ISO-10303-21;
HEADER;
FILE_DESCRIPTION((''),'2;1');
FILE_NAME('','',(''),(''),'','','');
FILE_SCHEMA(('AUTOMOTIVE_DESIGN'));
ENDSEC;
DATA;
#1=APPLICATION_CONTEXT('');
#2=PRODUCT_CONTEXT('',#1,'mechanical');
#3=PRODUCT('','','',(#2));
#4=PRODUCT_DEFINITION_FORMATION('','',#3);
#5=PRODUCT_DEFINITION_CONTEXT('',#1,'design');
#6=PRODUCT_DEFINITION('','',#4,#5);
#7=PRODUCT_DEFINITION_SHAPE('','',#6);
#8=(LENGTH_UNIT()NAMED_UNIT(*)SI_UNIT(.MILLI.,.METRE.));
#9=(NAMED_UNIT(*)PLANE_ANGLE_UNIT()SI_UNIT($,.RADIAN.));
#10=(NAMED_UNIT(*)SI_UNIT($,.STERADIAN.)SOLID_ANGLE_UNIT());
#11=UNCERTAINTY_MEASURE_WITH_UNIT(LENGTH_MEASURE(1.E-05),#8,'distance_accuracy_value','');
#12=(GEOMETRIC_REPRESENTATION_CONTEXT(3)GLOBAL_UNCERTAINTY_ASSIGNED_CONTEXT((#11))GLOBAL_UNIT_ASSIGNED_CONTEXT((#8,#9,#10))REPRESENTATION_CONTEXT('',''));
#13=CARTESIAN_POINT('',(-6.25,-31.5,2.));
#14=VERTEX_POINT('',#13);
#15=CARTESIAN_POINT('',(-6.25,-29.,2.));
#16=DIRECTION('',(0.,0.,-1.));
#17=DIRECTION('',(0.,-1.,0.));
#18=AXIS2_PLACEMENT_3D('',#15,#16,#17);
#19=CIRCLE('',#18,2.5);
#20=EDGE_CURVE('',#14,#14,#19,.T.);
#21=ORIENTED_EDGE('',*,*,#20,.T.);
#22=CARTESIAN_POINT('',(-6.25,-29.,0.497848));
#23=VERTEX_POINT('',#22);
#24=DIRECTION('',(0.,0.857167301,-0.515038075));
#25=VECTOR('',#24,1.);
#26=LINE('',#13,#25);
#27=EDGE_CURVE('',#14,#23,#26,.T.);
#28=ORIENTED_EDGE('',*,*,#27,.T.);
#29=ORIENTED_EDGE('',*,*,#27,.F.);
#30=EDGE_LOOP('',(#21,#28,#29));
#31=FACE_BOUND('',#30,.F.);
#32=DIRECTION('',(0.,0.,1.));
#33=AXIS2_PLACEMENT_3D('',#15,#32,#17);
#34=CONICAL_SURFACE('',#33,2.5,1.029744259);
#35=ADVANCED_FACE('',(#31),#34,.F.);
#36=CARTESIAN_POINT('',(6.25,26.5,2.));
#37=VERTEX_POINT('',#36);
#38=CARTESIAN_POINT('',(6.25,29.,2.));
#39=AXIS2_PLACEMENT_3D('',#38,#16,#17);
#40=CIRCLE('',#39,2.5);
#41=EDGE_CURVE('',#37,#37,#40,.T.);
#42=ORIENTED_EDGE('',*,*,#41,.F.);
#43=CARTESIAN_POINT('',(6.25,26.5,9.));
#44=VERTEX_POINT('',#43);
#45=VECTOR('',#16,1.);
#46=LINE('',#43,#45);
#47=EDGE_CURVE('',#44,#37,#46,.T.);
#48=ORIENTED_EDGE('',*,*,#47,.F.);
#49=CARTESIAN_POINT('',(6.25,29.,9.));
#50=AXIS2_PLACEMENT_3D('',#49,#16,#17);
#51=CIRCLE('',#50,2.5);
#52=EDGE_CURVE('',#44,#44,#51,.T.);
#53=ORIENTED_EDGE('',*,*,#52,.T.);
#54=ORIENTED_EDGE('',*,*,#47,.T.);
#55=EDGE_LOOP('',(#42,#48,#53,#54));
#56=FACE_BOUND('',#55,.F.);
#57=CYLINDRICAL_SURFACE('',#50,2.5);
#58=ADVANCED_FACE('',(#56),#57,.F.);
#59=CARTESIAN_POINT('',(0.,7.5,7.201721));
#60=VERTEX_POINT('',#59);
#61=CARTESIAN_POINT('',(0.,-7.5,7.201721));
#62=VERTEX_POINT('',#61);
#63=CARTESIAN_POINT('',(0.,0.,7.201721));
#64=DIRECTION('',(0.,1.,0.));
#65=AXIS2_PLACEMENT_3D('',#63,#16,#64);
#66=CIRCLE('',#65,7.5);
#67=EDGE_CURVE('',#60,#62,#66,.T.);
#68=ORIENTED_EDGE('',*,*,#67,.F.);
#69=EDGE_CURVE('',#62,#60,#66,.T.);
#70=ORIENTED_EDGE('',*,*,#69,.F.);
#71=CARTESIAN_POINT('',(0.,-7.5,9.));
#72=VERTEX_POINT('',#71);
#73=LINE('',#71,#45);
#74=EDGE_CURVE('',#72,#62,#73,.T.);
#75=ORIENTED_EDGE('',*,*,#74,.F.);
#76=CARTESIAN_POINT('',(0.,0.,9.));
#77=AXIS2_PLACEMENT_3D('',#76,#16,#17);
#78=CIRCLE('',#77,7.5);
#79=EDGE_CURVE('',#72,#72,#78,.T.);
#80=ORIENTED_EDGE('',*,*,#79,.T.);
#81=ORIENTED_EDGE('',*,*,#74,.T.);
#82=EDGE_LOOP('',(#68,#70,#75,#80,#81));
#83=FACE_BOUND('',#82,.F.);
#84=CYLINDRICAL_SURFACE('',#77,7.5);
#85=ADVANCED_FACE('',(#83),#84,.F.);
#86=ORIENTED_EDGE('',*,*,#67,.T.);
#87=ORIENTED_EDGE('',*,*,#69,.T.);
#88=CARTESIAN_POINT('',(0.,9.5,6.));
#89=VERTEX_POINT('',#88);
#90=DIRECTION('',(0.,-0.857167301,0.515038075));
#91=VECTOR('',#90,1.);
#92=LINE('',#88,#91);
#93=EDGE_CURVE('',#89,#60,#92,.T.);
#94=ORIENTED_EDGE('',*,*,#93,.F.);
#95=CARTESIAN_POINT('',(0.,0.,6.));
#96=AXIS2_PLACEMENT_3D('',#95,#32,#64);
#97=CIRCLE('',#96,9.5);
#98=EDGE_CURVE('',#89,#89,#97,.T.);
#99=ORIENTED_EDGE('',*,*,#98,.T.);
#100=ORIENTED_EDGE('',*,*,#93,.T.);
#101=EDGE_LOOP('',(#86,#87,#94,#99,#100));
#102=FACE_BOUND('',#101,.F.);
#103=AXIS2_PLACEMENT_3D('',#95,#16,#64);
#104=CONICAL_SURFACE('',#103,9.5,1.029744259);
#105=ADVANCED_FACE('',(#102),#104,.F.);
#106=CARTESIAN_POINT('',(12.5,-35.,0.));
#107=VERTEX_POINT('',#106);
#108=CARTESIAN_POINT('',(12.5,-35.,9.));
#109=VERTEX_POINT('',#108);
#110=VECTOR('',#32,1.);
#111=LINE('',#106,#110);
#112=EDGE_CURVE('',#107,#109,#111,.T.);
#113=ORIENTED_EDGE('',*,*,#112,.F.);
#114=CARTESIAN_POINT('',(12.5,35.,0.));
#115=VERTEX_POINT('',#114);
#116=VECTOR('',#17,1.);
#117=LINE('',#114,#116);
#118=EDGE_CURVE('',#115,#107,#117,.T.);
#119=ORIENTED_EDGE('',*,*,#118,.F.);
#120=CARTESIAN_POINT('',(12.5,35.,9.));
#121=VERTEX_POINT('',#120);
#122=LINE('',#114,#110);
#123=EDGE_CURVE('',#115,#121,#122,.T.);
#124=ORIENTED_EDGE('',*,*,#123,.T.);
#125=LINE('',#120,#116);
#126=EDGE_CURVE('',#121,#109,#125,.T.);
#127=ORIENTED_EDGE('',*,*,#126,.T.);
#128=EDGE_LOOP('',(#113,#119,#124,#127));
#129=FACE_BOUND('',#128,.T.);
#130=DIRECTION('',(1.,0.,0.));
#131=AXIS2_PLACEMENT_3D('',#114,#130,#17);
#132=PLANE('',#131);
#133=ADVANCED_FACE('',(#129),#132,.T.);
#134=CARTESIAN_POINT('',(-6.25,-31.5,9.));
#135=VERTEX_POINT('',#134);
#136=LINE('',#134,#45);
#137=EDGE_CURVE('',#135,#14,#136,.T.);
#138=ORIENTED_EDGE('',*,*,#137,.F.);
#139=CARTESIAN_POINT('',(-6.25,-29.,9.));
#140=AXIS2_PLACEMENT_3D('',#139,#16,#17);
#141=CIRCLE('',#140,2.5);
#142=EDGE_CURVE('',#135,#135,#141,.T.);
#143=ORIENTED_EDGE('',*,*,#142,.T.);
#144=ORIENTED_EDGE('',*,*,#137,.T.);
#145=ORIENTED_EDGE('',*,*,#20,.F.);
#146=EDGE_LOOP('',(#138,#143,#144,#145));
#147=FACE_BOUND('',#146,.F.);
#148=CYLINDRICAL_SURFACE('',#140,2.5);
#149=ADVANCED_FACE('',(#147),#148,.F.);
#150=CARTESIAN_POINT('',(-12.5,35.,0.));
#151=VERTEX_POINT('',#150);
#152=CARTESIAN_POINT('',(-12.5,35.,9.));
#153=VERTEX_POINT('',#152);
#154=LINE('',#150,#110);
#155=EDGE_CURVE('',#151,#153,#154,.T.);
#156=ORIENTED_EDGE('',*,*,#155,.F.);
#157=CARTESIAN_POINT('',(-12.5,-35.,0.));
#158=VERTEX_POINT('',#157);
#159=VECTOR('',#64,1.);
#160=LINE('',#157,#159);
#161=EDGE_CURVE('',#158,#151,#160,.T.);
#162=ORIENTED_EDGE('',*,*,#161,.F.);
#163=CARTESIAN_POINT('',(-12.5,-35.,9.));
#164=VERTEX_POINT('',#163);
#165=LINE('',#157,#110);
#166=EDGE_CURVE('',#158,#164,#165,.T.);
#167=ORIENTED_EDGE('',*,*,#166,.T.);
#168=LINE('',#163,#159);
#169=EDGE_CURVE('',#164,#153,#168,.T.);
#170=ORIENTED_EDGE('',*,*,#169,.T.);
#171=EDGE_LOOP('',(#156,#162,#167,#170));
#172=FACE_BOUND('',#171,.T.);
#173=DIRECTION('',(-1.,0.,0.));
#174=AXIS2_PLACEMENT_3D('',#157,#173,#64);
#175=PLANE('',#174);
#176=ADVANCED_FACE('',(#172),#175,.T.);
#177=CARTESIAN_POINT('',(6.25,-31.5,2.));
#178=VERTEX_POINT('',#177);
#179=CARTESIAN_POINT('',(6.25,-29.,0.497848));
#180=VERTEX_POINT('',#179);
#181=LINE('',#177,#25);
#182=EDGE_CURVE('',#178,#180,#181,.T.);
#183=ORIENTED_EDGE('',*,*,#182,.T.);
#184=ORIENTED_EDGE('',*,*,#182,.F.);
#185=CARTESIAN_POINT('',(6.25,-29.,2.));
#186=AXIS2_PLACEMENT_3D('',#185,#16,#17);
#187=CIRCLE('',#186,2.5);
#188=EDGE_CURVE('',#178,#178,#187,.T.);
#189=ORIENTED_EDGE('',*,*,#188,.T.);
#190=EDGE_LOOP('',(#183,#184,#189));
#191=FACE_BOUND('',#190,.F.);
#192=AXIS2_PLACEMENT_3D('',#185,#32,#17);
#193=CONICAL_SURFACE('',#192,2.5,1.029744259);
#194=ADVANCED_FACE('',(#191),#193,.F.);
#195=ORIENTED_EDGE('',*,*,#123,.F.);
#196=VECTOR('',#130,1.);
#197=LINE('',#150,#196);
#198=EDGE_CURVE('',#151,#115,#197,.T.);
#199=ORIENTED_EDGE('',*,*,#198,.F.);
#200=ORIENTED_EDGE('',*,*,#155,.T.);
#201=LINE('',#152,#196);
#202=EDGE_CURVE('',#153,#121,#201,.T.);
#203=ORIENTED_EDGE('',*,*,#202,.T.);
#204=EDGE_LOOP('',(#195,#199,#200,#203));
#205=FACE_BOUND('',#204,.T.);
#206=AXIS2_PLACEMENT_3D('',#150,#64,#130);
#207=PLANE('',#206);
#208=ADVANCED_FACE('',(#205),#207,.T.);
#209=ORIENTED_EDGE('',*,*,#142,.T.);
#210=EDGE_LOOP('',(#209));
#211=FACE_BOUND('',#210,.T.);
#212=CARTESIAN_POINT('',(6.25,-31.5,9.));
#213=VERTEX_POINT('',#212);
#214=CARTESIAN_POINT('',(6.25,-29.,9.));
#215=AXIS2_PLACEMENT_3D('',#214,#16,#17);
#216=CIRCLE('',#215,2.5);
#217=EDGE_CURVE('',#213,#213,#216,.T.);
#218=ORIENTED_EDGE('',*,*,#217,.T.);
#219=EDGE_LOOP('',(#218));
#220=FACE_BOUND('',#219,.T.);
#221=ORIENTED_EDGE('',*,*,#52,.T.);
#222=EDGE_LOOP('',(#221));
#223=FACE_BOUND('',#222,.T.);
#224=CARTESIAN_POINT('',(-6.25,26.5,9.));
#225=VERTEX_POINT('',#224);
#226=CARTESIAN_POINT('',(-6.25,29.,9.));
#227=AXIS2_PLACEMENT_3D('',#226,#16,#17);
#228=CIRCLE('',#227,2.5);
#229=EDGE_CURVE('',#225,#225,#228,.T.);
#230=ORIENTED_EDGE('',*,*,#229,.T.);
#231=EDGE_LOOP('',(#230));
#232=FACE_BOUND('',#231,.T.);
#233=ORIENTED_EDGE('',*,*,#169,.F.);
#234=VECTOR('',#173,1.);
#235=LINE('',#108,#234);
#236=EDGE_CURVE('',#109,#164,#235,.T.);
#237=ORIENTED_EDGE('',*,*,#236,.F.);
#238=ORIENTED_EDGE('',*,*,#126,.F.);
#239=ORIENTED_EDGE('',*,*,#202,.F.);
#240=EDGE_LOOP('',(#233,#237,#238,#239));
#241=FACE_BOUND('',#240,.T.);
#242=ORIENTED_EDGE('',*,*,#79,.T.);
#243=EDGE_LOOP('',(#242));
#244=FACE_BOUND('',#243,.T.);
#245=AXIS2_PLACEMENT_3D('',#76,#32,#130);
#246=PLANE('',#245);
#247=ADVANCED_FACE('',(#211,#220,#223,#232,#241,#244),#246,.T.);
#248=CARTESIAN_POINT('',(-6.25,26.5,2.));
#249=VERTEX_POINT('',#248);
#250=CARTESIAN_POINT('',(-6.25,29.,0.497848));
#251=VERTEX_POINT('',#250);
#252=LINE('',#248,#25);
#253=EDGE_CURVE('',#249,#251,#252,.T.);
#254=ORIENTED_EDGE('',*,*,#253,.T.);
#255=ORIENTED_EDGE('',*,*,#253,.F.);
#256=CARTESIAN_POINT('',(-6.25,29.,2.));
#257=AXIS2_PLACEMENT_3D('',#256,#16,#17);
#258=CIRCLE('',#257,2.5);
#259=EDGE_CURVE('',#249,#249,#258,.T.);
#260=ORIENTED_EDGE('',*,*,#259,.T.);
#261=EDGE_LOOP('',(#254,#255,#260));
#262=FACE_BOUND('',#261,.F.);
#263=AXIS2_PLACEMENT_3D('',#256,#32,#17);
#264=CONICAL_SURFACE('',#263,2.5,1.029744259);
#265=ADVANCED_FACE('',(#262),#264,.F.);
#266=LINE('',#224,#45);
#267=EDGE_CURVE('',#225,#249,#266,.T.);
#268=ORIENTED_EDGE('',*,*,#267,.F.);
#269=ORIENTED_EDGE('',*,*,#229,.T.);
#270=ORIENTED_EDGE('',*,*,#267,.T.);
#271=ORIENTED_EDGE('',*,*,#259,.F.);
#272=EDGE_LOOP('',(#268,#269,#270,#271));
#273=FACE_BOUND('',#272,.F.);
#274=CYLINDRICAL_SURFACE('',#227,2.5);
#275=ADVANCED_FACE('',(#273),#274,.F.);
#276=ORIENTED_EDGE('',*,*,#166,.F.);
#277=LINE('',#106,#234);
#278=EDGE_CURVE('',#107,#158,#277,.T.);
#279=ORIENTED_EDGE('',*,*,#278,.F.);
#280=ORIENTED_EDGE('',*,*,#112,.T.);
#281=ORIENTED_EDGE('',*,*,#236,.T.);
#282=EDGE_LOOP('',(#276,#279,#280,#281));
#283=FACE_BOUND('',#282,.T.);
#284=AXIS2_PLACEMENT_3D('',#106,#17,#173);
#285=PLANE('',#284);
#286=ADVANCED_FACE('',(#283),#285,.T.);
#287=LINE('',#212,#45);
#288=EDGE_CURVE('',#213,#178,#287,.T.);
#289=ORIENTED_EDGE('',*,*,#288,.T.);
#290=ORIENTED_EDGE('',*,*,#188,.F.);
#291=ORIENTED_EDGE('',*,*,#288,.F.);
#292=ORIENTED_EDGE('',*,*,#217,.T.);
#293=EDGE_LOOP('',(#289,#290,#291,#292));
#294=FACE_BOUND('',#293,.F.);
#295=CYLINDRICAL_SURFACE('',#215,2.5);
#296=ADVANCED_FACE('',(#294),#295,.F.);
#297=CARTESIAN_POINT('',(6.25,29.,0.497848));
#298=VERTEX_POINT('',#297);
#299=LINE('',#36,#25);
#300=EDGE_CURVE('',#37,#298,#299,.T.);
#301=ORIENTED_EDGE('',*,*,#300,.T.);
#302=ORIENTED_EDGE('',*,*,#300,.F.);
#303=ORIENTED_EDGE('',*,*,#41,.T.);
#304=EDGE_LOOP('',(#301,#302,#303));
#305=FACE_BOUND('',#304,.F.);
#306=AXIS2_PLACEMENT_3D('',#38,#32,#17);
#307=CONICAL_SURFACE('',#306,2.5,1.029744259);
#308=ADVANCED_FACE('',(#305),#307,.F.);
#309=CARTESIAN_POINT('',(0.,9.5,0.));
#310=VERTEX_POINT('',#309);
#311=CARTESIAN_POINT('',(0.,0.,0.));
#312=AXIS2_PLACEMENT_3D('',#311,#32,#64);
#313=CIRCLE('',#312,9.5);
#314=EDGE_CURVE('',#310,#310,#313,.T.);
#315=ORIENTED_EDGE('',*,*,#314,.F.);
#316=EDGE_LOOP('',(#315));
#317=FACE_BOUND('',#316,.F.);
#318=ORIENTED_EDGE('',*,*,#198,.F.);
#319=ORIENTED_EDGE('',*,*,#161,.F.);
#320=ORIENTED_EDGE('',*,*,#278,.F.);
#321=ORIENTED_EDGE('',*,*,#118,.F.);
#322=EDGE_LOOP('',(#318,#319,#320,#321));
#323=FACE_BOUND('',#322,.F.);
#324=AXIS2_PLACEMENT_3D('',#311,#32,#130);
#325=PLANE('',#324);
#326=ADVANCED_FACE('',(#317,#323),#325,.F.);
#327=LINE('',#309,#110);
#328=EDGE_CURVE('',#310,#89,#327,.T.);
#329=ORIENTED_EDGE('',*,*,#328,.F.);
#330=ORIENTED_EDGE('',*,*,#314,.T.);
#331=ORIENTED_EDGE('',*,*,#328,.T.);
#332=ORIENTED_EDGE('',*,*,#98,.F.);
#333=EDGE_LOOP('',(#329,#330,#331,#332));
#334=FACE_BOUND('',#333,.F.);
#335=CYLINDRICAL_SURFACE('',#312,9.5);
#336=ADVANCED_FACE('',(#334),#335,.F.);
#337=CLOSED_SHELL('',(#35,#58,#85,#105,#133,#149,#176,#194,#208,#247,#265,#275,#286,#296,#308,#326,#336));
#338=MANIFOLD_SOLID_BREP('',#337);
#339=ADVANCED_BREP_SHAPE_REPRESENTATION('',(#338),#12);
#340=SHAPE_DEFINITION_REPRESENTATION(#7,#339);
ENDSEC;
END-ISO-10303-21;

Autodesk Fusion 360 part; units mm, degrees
sketch "Sketch1" plane through (0, 0, 0) normal (0, 0, 1) x (1, 0, 0)
  line L0 (12.5, -35) -> (-12.5, -35)
  line L1 (-12.5, -35) -> (-12.5, 35)
  line L2 (-12.5, 35) -> (12.5, 35)
  line L3 (12.5, 35) -> (12.5, -35)
  dimension "d1" = 70
  dimension "d2" = 25
  dimension "d3" = 12.5
  dimension "d4" = 35
extrude "Extrude1" add sketch "Sketch1" along normal blind 9
sketch "Sketch2" plane through (0, 0, 9) normal (0, 0, 1) x (-1, 0, 0)
  line L0 (-12.5, -35) -> (12.5, -35)
  line L1 (12.5, -35) -> (12.5, 35)
  line L2 (12.5, 35) -> (-12.5, 35)
  line L3 (-12.5, 35) -> (-12.5, -35)
  circle A0 centre (0, 0) radius 7.5
  line L4 (0, 0) -> (0, -29) construction
  line L5 (0, -29) -> (6.25, -29)
  circle A1 centre (6.25, -29) radius 2.5
  circle A2 centre (-6.25, -29) radius 2.5
  circle A3 centre (6.25, 29) radius 2.5
  circle A4 centre (-6.25, 29) radius 2.5
  dimension "d7" = 15
  dimension "d8" = 29
  dimension "d9" = 6.25
  dimension "d10" = 5
  dimension "d11" = 29
  dimension "d12" = 12.5
  dimension "d13" = 29
  dimension "d14" = 58
  dimension "d15" = 5
  dimension "d16" = 5
hole "Hole1" at (0, 0, 9) direction (0, 0, -1) diameter 15 depth 3 tip angle 118
hole "Hole2" at (-6.25, -29, 9) at (6.25, -29, 9) at (6.25, 29, 9) at (-6.25, 29, 9) direction (0, 0, -1) diameter 5 depth 7 tip angle 118
sketch "Sketch3" plane through (0, 0, 0) normal (0, 0, -1) x (1, 0, 0)
  line L0 (-12.5, -35) -> (12.5, -35)
  line L1 (12.5, -35) -> (12.5, 35)
  line L2 (12.5, 35) -> (-12.5, 35)
  line L3 (-12.5, 35) -> (-12.5, -35)
  circle A0 centre (0, 0) radius 9.5
  dimension "d23" = 19
hole "Hole3" at (0, 0, 0) direction (0, 0, 1) diameter 19 depth 6 tip angle 118
